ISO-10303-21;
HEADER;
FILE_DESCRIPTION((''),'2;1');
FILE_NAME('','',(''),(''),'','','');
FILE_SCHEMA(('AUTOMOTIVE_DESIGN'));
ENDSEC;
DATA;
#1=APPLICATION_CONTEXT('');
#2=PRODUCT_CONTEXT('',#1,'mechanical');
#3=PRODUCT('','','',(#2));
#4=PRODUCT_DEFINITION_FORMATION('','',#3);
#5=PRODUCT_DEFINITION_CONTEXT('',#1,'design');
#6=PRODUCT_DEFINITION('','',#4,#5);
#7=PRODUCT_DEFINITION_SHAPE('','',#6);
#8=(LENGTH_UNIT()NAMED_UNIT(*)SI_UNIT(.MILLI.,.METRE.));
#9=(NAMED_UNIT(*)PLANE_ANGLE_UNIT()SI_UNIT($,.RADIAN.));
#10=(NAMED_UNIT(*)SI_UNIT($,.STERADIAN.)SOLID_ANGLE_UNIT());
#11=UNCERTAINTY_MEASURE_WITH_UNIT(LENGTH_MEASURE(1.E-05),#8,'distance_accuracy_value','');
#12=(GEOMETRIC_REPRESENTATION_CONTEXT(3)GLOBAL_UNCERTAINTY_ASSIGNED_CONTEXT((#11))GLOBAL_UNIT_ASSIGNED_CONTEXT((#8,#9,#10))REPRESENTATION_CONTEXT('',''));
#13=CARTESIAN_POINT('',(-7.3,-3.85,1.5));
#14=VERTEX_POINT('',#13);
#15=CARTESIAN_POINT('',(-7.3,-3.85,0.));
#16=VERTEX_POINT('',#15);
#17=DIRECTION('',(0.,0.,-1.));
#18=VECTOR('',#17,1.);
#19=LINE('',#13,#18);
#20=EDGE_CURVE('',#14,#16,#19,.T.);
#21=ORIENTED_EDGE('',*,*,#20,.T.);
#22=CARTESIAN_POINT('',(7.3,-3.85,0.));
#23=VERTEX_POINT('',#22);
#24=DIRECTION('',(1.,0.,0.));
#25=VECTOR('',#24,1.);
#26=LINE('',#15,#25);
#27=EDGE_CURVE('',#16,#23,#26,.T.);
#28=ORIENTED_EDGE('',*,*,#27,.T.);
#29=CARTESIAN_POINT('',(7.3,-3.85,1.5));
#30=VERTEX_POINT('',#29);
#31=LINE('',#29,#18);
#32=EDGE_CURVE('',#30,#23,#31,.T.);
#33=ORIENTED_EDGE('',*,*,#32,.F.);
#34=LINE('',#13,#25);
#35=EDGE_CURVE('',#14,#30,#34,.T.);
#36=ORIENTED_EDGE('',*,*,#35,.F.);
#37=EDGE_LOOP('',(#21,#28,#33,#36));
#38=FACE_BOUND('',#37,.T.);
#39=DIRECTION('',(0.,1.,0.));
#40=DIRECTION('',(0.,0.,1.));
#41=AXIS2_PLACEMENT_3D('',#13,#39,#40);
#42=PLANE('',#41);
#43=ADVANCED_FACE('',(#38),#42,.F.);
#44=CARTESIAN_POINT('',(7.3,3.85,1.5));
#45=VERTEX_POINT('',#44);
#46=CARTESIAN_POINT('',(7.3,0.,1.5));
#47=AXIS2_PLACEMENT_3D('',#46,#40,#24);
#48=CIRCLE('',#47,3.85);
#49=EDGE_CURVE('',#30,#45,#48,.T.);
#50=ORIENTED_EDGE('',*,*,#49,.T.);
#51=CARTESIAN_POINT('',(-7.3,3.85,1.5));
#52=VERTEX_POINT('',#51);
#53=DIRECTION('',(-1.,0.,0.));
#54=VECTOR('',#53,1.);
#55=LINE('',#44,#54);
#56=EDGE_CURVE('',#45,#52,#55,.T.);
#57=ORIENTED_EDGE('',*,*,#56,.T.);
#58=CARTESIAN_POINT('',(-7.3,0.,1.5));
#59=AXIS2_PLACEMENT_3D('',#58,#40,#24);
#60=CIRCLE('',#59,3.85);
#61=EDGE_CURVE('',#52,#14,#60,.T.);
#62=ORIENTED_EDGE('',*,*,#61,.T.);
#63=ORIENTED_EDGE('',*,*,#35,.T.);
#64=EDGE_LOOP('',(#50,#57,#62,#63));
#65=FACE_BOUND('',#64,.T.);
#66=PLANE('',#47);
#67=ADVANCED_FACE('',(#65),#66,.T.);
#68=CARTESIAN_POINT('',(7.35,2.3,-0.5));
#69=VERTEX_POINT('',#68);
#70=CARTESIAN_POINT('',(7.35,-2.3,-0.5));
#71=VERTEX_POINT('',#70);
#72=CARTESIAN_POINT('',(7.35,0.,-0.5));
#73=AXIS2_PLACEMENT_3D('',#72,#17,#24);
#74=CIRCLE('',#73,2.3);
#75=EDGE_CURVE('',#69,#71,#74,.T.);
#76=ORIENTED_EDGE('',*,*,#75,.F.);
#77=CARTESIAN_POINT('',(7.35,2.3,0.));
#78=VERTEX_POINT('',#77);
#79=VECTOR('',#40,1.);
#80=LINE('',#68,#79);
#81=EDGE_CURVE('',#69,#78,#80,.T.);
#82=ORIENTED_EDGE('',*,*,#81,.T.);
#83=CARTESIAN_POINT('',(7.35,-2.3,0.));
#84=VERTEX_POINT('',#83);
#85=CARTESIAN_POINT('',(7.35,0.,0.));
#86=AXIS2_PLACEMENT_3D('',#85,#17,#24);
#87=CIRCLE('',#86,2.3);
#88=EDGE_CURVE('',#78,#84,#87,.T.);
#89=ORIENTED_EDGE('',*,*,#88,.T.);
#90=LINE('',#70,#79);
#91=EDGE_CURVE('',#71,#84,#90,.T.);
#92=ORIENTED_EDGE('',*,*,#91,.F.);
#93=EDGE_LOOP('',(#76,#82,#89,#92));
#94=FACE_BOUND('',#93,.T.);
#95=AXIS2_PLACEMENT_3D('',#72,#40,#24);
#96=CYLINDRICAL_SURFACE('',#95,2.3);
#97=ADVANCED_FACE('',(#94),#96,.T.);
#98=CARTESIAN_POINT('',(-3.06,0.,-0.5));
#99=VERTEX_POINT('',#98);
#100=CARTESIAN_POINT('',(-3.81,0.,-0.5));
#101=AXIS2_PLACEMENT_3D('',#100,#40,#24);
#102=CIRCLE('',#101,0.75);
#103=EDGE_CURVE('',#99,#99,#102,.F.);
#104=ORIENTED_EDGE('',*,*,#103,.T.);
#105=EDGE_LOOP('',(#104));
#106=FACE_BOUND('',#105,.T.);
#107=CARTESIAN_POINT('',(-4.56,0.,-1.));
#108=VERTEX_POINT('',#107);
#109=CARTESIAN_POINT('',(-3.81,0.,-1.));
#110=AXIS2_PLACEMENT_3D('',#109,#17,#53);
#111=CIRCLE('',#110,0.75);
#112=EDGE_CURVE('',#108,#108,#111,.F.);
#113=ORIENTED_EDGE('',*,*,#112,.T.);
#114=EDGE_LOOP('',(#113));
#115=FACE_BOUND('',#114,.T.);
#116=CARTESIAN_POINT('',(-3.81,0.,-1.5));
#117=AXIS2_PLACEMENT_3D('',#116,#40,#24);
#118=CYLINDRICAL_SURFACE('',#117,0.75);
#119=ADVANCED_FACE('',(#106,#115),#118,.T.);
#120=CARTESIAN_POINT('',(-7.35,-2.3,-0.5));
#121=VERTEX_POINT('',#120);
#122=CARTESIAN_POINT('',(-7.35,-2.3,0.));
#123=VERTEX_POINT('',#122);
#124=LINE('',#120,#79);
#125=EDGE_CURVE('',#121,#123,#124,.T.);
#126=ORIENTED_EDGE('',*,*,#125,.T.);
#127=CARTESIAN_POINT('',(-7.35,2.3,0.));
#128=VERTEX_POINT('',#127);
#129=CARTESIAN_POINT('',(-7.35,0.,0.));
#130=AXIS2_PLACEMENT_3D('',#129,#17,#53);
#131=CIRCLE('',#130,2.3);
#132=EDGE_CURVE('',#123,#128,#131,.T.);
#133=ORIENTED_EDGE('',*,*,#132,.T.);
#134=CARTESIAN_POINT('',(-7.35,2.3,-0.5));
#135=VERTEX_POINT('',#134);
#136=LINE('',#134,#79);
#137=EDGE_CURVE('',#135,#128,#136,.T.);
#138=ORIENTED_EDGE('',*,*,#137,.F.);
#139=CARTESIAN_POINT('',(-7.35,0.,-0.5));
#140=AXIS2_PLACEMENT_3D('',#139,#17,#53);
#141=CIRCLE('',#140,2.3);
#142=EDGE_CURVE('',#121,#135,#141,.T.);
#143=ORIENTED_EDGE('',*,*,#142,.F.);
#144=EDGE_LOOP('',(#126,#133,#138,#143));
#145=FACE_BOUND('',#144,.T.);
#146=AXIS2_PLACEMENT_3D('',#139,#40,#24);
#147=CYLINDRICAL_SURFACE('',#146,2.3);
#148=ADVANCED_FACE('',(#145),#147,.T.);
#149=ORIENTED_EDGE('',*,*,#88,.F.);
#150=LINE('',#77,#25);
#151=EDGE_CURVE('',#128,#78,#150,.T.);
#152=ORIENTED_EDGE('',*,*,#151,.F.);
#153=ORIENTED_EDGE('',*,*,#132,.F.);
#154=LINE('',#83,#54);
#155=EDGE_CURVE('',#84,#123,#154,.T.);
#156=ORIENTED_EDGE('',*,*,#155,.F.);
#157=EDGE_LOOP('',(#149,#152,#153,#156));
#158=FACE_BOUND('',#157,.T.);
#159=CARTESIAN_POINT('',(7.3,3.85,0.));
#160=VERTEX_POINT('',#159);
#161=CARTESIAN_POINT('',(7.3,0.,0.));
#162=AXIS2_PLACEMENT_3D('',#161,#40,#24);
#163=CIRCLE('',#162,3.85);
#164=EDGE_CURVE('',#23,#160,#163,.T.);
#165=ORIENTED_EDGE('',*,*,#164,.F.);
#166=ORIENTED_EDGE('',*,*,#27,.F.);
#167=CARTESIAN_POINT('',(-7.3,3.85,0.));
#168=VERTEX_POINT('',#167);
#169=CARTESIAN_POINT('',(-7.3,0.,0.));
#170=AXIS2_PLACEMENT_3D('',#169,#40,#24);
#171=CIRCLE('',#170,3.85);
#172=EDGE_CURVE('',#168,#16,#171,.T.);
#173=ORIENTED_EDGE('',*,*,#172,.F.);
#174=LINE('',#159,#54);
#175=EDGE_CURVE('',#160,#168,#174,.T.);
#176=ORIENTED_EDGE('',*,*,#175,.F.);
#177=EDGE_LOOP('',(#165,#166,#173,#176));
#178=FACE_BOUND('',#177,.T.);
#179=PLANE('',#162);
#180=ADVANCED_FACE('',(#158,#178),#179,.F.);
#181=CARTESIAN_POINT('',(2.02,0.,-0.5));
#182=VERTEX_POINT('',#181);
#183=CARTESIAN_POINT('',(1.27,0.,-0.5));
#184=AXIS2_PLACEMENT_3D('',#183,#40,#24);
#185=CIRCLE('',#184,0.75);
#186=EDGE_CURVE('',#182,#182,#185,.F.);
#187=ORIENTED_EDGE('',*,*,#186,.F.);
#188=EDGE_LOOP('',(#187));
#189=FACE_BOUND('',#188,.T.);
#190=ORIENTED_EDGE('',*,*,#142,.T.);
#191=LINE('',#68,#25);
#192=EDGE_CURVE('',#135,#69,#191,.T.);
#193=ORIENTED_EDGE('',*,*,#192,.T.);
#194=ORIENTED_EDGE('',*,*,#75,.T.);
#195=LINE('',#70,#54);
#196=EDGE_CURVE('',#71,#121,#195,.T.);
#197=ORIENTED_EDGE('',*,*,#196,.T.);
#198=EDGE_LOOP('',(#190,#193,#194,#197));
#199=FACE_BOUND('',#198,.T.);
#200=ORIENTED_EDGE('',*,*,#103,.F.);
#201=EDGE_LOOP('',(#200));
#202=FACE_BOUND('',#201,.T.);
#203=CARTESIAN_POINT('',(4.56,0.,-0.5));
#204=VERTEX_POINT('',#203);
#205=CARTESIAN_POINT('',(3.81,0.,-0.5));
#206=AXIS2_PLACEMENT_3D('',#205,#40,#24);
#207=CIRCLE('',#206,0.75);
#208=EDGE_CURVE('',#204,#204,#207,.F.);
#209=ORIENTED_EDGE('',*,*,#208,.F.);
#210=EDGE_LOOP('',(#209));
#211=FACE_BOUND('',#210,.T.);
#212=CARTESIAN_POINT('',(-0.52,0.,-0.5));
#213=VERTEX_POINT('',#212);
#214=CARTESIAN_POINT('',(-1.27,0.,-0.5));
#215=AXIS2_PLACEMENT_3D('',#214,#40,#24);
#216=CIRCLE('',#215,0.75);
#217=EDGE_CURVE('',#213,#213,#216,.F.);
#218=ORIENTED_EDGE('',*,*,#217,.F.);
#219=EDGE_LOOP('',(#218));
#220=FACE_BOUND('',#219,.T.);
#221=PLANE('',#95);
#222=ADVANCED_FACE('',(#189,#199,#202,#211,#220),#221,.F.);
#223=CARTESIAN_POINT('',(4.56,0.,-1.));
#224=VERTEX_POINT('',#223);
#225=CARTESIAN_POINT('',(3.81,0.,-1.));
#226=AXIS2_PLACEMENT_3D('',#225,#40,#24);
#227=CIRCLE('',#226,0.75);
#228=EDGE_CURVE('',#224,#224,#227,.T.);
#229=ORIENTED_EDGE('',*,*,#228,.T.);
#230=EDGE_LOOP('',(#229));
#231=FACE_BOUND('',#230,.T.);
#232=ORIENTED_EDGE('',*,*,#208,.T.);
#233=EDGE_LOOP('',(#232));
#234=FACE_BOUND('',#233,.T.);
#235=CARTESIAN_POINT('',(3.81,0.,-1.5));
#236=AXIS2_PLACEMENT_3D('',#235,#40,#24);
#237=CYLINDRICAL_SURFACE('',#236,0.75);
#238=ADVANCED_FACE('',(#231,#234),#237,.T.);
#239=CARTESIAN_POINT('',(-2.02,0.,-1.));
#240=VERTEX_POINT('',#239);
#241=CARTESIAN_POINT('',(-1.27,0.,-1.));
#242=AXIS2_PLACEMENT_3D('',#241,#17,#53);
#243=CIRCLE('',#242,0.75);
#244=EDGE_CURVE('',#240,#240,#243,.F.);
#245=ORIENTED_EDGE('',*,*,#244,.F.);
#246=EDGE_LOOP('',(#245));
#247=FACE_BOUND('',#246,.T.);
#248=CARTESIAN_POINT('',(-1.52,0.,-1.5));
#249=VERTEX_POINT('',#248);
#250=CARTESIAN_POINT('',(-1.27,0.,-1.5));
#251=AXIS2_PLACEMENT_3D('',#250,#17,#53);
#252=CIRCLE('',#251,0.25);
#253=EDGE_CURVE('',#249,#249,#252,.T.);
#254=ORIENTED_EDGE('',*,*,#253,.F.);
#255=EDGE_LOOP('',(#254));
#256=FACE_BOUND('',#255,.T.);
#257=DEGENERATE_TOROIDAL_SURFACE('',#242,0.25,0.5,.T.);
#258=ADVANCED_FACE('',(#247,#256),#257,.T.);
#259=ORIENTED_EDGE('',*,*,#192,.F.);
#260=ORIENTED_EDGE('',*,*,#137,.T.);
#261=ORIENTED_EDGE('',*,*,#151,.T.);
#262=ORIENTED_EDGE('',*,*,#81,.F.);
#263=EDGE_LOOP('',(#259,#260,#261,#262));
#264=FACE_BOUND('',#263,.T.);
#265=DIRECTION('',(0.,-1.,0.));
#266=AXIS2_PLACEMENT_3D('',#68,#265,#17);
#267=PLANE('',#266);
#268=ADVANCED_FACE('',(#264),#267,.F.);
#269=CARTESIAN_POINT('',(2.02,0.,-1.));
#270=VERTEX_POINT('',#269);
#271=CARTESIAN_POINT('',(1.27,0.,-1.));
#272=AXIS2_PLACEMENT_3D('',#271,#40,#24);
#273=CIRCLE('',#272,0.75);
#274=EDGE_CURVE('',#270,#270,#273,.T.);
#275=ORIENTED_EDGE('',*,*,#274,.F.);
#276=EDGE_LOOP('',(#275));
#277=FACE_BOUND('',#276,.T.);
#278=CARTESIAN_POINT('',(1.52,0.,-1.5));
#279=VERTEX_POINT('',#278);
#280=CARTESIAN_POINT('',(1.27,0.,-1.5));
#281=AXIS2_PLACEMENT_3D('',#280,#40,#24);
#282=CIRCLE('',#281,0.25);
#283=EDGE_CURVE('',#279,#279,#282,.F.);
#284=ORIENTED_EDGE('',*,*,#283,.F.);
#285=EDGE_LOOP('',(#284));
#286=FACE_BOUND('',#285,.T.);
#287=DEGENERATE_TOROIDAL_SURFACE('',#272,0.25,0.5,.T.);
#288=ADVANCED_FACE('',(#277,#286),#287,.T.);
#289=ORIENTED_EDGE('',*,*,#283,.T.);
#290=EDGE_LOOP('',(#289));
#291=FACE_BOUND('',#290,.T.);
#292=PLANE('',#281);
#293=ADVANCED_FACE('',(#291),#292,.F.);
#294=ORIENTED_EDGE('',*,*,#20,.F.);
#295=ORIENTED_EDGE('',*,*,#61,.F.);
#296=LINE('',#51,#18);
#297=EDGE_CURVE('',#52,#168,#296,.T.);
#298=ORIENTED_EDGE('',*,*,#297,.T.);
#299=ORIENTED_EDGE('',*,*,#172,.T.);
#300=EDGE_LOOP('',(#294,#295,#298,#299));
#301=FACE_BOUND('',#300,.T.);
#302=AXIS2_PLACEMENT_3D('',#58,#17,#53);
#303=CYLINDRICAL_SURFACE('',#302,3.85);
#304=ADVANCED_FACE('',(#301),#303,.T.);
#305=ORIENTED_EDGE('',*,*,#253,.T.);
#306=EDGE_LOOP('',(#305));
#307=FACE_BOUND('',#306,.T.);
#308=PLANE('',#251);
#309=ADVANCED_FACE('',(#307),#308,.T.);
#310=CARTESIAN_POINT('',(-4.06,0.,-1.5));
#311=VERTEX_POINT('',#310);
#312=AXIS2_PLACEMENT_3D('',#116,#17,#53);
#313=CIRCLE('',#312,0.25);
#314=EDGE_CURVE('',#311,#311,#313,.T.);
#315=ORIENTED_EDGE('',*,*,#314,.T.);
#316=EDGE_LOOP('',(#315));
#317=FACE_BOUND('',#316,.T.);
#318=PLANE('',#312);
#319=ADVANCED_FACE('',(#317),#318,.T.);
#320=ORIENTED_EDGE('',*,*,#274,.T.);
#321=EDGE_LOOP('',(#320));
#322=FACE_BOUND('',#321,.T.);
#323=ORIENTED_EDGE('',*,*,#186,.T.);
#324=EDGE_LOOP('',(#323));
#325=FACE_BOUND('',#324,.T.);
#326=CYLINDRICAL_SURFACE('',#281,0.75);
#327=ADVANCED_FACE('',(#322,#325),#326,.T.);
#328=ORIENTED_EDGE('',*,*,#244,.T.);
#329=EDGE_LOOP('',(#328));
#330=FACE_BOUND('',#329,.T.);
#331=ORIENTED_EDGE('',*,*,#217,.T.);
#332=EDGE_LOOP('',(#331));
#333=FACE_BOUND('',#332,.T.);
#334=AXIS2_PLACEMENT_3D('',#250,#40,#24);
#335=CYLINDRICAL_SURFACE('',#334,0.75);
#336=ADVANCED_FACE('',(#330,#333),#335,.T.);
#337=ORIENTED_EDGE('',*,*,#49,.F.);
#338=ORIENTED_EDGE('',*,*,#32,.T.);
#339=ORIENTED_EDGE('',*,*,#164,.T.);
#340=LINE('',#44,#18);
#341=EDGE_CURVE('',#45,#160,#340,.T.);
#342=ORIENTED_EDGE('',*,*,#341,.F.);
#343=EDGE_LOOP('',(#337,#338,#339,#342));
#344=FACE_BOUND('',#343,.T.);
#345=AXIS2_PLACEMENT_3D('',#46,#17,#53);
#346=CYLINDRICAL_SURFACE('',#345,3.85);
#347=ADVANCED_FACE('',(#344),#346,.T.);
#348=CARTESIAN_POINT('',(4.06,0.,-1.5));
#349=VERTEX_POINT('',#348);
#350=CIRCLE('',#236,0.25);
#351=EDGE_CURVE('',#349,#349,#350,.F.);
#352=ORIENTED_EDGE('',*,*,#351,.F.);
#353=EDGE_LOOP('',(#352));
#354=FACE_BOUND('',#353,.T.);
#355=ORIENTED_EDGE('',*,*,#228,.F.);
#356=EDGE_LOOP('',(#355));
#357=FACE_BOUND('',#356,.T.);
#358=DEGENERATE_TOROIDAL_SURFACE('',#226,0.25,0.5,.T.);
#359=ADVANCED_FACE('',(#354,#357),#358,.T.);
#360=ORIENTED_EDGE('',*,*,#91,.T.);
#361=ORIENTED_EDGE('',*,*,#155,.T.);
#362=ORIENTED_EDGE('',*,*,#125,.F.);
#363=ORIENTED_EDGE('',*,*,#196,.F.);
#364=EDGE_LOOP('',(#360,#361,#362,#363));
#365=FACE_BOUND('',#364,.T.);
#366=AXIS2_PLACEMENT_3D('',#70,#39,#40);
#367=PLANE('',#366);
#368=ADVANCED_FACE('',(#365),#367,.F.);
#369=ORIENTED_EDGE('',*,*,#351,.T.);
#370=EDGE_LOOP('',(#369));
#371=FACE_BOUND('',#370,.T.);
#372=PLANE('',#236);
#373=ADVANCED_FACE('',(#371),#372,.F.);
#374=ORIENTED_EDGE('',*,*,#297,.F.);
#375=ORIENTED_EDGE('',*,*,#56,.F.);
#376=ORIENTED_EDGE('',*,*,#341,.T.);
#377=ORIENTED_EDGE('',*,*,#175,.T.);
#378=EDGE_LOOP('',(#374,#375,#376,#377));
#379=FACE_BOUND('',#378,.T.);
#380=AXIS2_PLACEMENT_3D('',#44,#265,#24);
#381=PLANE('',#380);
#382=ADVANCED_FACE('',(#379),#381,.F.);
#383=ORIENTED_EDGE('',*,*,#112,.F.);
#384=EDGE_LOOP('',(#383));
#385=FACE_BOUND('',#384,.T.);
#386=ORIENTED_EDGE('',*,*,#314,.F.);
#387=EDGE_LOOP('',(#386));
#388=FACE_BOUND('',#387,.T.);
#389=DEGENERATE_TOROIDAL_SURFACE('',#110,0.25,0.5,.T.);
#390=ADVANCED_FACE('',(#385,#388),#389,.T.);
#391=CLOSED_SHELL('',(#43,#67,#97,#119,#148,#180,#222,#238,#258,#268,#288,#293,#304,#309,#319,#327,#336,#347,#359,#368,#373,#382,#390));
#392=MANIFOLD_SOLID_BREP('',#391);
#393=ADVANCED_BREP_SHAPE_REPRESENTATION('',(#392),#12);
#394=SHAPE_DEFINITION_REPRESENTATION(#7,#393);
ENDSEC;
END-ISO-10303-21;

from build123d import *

# Parameters (mm, degrees)
EXTRUDE_1_DEPTH = 1.5
EXTRUDE_2_DEPTH = 0.5
SKETCH_3_R      = 0.75
EXTRUDE_3_DEPTH = 1
FILLET_2_R      = 0.5


with BuildPart() as part:
    # 草图1 → 凸台-拉伸1 (new body)
    with BuildSketch(Plane.XY):
        with BuildLine():
            Line((7.3, 3.85), (-7.3, 3.85))
            ThreePointArc((-7.3, 3.85), (-11.15, 0), (-7.3, -3.85))
            Line((-7.3, -3.85), (7.3, -3.85))
            ThreePointArc((7.3, -3.85), (11.15, 0), (7.3, 3.85))
        make_face()
    extrude(amount=EXTRUDE_1_DEPTH)

    # 草图2 → 凸台-拉伸2 (add)
    with BuildSketch(Plane(origin=(0, 0, 0), x_dir=(-1, 0, 0), z_dir=(0, 0, -1))):
        with BuildLine():
            Line((-7.35, 2.3), (7.35, 2.3))
            ThreePointArc((7.35, 2.3), (9.65, 0), (7.35, -2.3))
            Line((7.35, -2.3), (-7.35, -2.3))
            ThreePointArc((-7.35, -2.3), (-9.65, 0), (-7.35, 2.3))
        make_face()
    extrude(amount=EXTRUDE_2_DEPTH)

    # 草图3 → 凸台-拉伸3 (add)
    with BuildSketch(Plane(origin=(0, 0, -0.5), x_dir=(-1, 0, 0), z_dir=(0, 0, -1))):
        with Locations((1.27, 0)):
            Circle(SKETCH_3_R)
        with Locations((3.81, 0)):
            Circle(SKETCH_3_R)
        with Locations((-3.81, 0)):
            Circle(SKETCH_3_R)
        with Locations((-1.27, 0)):
            Circle(SKETCH_3_R)
    extrude(amount=EXTRUDE_3_DEPTH)

    # 圆角2
    fillet_2_edges = [part.edges().sort_by_distance(p)[0] for p in [
        (-0.52, 0, -1.5),
        (-3.06, 0, -1.5),
        (4.56, 0, -1.5),
        (2.02, 0, -1.5),
    ]]
    fillet(fillet_2_edges, radius=FILLET_2_R)


solid = part.part
